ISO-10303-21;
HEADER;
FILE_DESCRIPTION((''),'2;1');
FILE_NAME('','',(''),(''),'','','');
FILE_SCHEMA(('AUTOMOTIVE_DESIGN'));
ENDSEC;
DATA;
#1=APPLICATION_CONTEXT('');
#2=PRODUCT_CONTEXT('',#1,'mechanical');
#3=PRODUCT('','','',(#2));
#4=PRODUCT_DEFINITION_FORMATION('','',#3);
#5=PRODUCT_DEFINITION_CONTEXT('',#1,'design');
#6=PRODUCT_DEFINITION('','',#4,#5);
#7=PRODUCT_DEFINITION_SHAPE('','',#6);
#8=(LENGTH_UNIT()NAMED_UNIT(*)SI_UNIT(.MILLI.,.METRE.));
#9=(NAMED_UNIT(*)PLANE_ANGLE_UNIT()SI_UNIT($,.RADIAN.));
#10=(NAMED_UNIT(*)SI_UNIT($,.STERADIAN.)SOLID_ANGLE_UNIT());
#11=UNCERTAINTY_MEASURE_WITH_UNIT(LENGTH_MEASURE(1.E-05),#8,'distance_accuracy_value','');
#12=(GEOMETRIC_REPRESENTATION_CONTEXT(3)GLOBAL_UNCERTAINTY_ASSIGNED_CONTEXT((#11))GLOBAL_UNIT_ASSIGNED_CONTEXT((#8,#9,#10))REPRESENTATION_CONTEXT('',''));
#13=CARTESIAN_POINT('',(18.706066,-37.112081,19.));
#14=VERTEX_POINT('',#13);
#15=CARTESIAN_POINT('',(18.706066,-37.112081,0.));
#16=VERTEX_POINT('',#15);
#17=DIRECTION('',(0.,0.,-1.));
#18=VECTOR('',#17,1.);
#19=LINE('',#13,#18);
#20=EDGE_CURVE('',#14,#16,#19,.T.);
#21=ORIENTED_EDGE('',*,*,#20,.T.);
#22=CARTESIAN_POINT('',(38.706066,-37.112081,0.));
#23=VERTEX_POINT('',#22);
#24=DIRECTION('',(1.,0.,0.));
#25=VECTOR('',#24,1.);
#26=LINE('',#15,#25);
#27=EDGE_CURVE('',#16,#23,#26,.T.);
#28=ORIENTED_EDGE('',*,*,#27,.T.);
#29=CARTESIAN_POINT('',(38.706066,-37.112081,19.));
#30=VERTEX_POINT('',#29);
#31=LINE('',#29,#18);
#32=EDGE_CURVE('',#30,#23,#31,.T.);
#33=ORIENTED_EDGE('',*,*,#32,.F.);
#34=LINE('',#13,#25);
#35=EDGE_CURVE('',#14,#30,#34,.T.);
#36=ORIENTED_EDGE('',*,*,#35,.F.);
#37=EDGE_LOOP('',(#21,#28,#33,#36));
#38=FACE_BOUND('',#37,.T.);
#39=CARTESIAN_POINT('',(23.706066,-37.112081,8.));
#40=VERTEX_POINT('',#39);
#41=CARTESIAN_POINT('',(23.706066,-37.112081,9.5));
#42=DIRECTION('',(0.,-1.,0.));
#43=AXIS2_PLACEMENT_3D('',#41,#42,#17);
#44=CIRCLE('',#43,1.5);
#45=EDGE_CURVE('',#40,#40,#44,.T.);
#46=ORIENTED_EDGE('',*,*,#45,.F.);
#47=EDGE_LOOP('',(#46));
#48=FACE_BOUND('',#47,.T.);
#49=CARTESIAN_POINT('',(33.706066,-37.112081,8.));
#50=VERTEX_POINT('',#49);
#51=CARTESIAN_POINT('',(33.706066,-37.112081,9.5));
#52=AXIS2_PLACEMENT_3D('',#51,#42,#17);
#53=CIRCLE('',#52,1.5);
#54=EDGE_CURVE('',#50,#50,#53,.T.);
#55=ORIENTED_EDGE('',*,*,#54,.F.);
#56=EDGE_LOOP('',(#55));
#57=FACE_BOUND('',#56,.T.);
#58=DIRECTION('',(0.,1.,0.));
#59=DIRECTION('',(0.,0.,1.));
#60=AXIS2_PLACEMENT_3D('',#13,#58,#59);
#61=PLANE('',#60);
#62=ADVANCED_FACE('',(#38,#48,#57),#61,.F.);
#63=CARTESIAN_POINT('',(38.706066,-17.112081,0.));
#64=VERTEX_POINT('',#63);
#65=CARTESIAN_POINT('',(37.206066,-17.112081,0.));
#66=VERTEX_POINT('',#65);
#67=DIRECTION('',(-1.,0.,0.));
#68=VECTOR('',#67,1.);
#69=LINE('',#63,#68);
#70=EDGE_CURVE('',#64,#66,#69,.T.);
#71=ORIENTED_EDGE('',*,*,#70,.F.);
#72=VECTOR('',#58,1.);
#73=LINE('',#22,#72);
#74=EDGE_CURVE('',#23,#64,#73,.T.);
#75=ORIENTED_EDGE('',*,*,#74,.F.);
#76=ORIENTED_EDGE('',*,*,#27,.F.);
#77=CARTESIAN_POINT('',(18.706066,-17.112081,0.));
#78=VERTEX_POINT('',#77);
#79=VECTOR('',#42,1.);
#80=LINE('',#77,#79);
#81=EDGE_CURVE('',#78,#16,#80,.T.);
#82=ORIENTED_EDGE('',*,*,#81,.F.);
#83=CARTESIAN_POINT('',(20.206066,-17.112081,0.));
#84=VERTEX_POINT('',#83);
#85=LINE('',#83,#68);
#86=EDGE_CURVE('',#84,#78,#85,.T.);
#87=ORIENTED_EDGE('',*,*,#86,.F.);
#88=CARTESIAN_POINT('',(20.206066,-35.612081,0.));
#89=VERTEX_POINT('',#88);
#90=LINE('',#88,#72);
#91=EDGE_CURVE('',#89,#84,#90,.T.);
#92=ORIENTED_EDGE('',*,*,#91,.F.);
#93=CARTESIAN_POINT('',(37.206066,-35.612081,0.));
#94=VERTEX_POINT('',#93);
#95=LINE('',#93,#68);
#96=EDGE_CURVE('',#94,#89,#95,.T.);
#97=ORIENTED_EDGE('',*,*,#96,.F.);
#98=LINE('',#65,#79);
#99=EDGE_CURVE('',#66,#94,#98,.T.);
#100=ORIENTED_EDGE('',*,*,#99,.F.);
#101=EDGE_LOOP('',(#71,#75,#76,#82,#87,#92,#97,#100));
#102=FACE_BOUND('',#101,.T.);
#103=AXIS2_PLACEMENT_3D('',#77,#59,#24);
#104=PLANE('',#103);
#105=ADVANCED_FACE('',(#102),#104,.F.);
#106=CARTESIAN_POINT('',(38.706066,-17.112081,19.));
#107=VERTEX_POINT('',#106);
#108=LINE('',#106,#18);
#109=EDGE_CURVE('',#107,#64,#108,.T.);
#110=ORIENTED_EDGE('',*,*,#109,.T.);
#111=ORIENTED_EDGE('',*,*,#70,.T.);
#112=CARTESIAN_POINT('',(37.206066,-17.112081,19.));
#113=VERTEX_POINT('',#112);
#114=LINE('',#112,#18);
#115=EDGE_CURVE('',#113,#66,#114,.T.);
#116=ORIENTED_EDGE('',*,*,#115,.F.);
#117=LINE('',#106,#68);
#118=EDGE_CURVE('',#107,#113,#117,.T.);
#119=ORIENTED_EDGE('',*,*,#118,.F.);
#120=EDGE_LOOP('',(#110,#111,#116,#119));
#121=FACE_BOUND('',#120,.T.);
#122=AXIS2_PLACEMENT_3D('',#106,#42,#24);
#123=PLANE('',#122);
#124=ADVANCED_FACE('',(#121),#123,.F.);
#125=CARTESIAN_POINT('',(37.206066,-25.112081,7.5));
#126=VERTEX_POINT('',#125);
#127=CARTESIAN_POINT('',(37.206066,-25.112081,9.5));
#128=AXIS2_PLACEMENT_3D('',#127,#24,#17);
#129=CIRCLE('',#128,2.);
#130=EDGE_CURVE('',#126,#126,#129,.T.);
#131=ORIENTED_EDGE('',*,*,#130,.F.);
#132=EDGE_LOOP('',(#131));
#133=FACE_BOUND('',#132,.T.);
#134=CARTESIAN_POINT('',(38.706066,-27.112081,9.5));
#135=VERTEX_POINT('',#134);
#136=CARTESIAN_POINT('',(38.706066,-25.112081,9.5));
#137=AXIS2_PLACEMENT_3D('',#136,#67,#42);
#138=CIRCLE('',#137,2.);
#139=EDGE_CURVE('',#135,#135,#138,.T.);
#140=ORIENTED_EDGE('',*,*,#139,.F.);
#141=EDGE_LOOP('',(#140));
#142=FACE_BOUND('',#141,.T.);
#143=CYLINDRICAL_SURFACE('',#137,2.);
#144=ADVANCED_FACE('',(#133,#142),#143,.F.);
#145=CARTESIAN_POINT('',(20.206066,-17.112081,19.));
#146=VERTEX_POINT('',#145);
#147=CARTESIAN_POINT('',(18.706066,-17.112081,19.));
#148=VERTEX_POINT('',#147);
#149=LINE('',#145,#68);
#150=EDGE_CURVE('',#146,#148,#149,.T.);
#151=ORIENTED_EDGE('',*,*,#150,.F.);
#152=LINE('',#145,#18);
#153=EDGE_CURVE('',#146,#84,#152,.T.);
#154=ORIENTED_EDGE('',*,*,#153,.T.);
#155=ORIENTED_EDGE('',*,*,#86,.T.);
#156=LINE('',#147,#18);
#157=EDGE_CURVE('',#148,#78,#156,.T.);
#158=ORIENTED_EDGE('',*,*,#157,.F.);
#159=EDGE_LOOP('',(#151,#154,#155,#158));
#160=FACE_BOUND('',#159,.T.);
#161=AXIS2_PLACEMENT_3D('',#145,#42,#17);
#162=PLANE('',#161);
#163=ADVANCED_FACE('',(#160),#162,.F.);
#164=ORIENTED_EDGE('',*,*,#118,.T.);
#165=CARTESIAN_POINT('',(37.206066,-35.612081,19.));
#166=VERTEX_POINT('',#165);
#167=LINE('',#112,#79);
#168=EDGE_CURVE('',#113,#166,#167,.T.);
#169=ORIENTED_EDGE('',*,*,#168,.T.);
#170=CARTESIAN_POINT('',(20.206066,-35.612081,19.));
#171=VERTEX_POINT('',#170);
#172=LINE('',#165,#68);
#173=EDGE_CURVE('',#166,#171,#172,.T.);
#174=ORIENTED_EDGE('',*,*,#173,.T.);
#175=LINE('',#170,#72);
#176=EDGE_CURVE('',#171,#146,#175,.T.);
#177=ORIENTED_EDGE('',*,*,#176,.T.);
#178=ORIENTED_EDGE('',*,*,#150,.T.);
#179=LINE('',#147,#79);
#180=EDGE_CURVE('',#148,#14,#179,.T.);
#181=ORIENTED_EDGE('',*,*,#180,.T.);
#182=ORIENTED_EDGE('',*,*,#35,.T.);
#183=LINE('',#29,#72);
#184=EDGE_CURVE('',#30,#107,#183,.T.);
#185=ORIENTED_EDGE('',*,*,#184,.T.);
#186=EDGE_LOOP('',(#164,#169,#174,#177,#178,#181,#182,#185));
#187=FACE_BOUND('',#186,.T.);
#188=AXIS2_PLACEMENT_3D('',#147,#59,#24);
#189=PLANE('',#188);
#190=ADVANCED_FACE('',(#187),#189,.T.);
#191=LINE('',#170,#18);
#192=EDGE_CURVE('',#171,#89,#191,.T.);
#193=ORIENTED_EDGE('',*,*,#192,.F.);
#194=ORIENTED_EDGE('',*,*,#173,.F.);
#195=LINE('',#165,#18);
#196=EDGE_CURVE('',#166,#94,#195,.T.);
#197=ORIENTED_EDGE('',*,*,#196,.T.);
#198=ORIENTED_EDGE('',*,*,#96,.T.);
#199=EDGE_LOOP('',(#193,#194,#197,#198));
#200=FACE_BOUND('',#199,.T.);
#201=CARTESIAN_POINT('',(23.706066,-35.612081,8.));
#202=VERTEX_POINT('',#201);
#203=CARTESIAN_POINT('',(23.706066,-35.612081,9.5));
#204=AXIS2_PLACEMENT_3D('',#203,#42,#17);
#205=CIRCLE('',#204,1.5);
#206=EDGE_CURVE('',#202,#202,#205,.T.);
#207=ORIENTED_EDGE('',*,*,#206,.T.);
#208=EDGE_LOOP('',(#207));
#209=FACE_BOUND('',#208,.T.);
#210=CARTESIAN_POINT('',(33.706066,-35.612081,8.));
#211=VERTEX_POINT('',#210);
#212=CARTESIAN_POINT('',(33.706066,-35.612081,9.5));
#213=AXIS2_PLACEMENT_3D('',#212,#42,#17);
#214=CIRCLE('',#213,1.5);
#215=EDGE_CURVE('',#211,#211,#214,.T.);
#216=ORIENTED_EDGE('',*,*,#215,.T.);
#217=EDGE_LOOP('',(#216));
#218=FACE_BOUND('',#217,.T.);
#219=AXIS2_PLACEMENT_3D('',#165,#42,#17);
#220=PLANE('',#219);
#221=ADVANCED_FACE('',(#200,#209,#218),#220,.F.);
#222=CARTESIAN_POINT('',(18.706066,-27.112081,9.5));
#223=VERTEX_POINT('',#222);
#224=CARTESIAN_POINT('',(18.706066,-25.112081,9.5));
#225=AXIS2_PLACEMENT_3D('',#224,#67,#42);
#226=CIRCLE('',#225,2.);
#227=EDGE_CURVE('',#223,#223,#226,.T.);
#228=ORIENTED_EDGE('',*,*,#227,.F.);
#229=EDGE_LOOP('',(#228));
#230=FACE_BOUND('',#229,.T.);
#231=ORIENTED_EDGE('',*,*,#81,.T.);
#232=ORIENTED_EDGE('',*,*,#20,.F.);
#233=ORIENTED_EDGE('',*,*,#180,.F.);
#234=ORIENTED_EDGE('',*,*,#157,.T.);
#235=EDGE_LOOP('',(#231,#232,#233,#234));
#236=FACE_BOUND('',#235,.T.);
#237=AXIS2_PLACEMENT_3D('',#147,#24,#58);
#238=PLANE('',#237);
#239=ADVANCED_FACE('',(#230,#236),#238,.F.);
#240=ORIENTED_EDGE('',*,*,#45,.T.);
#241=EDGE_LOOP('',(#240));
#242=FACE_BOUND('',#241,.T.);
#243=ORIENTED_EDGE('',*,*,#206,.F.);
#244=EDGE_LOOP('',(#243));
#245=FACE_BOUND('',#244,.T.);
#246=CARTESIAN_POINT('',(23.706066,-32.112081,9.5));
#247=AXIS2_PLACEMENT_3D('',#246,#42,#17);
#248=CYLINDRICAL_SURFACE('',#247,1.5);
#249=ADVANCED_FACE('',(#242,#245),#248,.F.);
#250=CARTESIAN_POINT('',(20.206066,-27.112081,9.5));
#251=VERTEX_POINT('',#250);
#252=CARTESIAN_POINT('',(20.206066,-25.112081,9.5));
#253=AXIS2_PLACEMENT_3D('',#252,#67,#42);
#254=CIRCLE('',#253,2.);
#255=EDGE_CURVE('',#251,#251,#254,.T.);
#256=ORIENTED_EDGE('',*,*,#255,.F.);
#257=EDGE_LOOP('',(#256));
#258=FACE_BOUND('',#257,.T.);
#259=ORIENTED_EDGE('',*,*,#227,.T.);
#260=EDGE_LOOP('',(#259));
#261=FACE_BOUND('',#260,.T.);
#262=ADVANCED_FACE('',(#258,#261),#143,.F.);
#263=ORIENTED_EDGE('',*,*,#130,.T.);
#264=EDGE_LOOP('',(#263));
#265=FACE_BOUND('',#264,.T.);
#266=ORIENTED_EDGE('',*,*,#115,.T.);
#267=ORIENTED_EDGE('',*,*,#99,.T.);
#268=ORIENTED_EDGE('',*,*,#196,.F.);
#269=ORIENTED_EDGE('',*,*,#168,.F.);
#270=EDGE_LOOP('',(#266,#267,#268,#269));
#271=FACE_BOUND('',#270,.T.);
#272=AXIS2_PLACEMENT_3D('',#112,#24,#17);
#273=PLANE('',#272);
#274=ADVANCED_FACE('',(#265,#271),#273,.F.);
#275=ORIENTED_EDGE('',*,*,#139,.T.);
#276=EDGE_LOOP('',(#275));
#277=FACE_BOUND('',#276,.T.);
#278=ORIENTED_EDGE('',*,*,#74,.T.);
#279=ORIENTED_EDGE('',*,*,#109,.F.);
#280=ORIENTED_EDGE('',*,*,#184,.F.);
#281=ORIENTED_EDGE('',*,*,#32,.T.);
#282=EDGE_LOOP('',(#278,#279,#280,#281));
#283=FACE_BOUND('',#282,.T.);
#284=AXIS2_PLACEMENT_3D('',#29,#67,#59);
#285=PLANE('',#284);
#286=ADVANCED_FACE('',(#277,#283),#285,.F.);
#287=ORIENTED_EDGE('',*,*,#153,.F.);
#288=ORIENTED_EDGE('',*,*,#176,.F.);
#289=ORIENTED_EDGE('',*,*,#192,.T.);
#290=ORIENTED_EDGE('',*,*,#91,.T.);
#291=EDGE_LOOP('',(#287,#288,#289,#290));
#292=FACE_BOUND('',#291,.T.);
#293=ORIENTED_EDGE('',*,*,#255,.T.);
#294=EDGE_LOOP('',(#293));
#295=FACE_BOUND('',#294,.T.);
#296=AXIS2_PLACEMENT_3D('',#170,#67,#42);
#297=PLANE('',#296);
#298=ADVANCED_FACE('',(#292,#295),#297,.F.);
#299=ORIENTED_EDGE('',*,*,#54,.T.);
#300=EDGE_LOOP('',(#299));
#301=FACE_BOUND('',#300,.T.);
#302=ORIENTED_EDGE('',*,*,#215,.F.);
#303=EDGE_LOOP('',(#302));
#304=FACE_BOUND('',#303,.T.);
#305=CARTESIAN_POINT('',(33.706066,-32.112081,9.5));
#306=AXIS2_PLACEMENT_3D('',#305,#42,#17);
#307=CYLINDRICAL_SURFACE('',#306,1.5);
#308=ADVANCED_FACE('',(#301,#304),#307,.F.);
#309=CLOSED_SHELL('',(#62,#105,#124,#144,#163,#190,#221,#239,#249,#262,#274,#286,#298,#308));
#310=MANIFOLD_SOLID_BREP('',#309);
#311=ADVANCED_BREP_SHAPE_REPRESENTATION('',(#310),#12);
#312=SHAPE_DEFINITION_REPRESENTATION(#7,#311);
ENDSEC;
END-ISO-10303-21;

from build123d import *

# Parameters (mm, degrees)
EXTRUSION1_DEPTH = 19
ESQUISSE2_R      = 1.5
EXTRUSION2_DEPTH = 5
ESQUISSE3_R      = 2
EXTRUSION3_DEPTH = 47.241826523


with BuildPart() as part:
    # Esquisse1 → Extrusion1 (new body)
    with BuildSketch(Plane.XY):
        Polygon((18.706066256, -17.112080516), (18.706066256, -37.112080516), (38.706066256, -37.112080516), (38.706066256, -17.112080516), (37.206066256, -17.112080516), (37.206066256, -35.612080516), (20.206066256, -35.612080516), (20.206066256, -17.112080516), align=None)
    extrude(amount=EXTRUSION1_DEPTH)

    # Esquisse2 → Extrusion2 (cut)
    with BuildSketch(Plane.XZ.offset(37.112080516)):
        with Locations(Location((23.706066256, 9.5, 0), (0, 0, 270))):
            Circle(ESQUISSE2_R)
        with Locations(Location((33.706066256, 9.5, 0), (0, 0, 270))):
            Circle(ESQUISSE2_R)
    extrude(amount=-EXTRUSION2_DEPTH, mode=Mode.SUBTRACT)

    # Esquisse3 → Extrusion3 (cut, through all)
    with BuildSketch(Plane.ZY.offset(-18.706066256)):
        with Locations(Location((9.5, -25.112080516, 0), (0, 0, 270))):
            Circle(ESQUISSE3_R)
    extrude(amount=-EXTRUSION3_DEPTH, mode=Mode.SUBTRACT)


solid = part.part
